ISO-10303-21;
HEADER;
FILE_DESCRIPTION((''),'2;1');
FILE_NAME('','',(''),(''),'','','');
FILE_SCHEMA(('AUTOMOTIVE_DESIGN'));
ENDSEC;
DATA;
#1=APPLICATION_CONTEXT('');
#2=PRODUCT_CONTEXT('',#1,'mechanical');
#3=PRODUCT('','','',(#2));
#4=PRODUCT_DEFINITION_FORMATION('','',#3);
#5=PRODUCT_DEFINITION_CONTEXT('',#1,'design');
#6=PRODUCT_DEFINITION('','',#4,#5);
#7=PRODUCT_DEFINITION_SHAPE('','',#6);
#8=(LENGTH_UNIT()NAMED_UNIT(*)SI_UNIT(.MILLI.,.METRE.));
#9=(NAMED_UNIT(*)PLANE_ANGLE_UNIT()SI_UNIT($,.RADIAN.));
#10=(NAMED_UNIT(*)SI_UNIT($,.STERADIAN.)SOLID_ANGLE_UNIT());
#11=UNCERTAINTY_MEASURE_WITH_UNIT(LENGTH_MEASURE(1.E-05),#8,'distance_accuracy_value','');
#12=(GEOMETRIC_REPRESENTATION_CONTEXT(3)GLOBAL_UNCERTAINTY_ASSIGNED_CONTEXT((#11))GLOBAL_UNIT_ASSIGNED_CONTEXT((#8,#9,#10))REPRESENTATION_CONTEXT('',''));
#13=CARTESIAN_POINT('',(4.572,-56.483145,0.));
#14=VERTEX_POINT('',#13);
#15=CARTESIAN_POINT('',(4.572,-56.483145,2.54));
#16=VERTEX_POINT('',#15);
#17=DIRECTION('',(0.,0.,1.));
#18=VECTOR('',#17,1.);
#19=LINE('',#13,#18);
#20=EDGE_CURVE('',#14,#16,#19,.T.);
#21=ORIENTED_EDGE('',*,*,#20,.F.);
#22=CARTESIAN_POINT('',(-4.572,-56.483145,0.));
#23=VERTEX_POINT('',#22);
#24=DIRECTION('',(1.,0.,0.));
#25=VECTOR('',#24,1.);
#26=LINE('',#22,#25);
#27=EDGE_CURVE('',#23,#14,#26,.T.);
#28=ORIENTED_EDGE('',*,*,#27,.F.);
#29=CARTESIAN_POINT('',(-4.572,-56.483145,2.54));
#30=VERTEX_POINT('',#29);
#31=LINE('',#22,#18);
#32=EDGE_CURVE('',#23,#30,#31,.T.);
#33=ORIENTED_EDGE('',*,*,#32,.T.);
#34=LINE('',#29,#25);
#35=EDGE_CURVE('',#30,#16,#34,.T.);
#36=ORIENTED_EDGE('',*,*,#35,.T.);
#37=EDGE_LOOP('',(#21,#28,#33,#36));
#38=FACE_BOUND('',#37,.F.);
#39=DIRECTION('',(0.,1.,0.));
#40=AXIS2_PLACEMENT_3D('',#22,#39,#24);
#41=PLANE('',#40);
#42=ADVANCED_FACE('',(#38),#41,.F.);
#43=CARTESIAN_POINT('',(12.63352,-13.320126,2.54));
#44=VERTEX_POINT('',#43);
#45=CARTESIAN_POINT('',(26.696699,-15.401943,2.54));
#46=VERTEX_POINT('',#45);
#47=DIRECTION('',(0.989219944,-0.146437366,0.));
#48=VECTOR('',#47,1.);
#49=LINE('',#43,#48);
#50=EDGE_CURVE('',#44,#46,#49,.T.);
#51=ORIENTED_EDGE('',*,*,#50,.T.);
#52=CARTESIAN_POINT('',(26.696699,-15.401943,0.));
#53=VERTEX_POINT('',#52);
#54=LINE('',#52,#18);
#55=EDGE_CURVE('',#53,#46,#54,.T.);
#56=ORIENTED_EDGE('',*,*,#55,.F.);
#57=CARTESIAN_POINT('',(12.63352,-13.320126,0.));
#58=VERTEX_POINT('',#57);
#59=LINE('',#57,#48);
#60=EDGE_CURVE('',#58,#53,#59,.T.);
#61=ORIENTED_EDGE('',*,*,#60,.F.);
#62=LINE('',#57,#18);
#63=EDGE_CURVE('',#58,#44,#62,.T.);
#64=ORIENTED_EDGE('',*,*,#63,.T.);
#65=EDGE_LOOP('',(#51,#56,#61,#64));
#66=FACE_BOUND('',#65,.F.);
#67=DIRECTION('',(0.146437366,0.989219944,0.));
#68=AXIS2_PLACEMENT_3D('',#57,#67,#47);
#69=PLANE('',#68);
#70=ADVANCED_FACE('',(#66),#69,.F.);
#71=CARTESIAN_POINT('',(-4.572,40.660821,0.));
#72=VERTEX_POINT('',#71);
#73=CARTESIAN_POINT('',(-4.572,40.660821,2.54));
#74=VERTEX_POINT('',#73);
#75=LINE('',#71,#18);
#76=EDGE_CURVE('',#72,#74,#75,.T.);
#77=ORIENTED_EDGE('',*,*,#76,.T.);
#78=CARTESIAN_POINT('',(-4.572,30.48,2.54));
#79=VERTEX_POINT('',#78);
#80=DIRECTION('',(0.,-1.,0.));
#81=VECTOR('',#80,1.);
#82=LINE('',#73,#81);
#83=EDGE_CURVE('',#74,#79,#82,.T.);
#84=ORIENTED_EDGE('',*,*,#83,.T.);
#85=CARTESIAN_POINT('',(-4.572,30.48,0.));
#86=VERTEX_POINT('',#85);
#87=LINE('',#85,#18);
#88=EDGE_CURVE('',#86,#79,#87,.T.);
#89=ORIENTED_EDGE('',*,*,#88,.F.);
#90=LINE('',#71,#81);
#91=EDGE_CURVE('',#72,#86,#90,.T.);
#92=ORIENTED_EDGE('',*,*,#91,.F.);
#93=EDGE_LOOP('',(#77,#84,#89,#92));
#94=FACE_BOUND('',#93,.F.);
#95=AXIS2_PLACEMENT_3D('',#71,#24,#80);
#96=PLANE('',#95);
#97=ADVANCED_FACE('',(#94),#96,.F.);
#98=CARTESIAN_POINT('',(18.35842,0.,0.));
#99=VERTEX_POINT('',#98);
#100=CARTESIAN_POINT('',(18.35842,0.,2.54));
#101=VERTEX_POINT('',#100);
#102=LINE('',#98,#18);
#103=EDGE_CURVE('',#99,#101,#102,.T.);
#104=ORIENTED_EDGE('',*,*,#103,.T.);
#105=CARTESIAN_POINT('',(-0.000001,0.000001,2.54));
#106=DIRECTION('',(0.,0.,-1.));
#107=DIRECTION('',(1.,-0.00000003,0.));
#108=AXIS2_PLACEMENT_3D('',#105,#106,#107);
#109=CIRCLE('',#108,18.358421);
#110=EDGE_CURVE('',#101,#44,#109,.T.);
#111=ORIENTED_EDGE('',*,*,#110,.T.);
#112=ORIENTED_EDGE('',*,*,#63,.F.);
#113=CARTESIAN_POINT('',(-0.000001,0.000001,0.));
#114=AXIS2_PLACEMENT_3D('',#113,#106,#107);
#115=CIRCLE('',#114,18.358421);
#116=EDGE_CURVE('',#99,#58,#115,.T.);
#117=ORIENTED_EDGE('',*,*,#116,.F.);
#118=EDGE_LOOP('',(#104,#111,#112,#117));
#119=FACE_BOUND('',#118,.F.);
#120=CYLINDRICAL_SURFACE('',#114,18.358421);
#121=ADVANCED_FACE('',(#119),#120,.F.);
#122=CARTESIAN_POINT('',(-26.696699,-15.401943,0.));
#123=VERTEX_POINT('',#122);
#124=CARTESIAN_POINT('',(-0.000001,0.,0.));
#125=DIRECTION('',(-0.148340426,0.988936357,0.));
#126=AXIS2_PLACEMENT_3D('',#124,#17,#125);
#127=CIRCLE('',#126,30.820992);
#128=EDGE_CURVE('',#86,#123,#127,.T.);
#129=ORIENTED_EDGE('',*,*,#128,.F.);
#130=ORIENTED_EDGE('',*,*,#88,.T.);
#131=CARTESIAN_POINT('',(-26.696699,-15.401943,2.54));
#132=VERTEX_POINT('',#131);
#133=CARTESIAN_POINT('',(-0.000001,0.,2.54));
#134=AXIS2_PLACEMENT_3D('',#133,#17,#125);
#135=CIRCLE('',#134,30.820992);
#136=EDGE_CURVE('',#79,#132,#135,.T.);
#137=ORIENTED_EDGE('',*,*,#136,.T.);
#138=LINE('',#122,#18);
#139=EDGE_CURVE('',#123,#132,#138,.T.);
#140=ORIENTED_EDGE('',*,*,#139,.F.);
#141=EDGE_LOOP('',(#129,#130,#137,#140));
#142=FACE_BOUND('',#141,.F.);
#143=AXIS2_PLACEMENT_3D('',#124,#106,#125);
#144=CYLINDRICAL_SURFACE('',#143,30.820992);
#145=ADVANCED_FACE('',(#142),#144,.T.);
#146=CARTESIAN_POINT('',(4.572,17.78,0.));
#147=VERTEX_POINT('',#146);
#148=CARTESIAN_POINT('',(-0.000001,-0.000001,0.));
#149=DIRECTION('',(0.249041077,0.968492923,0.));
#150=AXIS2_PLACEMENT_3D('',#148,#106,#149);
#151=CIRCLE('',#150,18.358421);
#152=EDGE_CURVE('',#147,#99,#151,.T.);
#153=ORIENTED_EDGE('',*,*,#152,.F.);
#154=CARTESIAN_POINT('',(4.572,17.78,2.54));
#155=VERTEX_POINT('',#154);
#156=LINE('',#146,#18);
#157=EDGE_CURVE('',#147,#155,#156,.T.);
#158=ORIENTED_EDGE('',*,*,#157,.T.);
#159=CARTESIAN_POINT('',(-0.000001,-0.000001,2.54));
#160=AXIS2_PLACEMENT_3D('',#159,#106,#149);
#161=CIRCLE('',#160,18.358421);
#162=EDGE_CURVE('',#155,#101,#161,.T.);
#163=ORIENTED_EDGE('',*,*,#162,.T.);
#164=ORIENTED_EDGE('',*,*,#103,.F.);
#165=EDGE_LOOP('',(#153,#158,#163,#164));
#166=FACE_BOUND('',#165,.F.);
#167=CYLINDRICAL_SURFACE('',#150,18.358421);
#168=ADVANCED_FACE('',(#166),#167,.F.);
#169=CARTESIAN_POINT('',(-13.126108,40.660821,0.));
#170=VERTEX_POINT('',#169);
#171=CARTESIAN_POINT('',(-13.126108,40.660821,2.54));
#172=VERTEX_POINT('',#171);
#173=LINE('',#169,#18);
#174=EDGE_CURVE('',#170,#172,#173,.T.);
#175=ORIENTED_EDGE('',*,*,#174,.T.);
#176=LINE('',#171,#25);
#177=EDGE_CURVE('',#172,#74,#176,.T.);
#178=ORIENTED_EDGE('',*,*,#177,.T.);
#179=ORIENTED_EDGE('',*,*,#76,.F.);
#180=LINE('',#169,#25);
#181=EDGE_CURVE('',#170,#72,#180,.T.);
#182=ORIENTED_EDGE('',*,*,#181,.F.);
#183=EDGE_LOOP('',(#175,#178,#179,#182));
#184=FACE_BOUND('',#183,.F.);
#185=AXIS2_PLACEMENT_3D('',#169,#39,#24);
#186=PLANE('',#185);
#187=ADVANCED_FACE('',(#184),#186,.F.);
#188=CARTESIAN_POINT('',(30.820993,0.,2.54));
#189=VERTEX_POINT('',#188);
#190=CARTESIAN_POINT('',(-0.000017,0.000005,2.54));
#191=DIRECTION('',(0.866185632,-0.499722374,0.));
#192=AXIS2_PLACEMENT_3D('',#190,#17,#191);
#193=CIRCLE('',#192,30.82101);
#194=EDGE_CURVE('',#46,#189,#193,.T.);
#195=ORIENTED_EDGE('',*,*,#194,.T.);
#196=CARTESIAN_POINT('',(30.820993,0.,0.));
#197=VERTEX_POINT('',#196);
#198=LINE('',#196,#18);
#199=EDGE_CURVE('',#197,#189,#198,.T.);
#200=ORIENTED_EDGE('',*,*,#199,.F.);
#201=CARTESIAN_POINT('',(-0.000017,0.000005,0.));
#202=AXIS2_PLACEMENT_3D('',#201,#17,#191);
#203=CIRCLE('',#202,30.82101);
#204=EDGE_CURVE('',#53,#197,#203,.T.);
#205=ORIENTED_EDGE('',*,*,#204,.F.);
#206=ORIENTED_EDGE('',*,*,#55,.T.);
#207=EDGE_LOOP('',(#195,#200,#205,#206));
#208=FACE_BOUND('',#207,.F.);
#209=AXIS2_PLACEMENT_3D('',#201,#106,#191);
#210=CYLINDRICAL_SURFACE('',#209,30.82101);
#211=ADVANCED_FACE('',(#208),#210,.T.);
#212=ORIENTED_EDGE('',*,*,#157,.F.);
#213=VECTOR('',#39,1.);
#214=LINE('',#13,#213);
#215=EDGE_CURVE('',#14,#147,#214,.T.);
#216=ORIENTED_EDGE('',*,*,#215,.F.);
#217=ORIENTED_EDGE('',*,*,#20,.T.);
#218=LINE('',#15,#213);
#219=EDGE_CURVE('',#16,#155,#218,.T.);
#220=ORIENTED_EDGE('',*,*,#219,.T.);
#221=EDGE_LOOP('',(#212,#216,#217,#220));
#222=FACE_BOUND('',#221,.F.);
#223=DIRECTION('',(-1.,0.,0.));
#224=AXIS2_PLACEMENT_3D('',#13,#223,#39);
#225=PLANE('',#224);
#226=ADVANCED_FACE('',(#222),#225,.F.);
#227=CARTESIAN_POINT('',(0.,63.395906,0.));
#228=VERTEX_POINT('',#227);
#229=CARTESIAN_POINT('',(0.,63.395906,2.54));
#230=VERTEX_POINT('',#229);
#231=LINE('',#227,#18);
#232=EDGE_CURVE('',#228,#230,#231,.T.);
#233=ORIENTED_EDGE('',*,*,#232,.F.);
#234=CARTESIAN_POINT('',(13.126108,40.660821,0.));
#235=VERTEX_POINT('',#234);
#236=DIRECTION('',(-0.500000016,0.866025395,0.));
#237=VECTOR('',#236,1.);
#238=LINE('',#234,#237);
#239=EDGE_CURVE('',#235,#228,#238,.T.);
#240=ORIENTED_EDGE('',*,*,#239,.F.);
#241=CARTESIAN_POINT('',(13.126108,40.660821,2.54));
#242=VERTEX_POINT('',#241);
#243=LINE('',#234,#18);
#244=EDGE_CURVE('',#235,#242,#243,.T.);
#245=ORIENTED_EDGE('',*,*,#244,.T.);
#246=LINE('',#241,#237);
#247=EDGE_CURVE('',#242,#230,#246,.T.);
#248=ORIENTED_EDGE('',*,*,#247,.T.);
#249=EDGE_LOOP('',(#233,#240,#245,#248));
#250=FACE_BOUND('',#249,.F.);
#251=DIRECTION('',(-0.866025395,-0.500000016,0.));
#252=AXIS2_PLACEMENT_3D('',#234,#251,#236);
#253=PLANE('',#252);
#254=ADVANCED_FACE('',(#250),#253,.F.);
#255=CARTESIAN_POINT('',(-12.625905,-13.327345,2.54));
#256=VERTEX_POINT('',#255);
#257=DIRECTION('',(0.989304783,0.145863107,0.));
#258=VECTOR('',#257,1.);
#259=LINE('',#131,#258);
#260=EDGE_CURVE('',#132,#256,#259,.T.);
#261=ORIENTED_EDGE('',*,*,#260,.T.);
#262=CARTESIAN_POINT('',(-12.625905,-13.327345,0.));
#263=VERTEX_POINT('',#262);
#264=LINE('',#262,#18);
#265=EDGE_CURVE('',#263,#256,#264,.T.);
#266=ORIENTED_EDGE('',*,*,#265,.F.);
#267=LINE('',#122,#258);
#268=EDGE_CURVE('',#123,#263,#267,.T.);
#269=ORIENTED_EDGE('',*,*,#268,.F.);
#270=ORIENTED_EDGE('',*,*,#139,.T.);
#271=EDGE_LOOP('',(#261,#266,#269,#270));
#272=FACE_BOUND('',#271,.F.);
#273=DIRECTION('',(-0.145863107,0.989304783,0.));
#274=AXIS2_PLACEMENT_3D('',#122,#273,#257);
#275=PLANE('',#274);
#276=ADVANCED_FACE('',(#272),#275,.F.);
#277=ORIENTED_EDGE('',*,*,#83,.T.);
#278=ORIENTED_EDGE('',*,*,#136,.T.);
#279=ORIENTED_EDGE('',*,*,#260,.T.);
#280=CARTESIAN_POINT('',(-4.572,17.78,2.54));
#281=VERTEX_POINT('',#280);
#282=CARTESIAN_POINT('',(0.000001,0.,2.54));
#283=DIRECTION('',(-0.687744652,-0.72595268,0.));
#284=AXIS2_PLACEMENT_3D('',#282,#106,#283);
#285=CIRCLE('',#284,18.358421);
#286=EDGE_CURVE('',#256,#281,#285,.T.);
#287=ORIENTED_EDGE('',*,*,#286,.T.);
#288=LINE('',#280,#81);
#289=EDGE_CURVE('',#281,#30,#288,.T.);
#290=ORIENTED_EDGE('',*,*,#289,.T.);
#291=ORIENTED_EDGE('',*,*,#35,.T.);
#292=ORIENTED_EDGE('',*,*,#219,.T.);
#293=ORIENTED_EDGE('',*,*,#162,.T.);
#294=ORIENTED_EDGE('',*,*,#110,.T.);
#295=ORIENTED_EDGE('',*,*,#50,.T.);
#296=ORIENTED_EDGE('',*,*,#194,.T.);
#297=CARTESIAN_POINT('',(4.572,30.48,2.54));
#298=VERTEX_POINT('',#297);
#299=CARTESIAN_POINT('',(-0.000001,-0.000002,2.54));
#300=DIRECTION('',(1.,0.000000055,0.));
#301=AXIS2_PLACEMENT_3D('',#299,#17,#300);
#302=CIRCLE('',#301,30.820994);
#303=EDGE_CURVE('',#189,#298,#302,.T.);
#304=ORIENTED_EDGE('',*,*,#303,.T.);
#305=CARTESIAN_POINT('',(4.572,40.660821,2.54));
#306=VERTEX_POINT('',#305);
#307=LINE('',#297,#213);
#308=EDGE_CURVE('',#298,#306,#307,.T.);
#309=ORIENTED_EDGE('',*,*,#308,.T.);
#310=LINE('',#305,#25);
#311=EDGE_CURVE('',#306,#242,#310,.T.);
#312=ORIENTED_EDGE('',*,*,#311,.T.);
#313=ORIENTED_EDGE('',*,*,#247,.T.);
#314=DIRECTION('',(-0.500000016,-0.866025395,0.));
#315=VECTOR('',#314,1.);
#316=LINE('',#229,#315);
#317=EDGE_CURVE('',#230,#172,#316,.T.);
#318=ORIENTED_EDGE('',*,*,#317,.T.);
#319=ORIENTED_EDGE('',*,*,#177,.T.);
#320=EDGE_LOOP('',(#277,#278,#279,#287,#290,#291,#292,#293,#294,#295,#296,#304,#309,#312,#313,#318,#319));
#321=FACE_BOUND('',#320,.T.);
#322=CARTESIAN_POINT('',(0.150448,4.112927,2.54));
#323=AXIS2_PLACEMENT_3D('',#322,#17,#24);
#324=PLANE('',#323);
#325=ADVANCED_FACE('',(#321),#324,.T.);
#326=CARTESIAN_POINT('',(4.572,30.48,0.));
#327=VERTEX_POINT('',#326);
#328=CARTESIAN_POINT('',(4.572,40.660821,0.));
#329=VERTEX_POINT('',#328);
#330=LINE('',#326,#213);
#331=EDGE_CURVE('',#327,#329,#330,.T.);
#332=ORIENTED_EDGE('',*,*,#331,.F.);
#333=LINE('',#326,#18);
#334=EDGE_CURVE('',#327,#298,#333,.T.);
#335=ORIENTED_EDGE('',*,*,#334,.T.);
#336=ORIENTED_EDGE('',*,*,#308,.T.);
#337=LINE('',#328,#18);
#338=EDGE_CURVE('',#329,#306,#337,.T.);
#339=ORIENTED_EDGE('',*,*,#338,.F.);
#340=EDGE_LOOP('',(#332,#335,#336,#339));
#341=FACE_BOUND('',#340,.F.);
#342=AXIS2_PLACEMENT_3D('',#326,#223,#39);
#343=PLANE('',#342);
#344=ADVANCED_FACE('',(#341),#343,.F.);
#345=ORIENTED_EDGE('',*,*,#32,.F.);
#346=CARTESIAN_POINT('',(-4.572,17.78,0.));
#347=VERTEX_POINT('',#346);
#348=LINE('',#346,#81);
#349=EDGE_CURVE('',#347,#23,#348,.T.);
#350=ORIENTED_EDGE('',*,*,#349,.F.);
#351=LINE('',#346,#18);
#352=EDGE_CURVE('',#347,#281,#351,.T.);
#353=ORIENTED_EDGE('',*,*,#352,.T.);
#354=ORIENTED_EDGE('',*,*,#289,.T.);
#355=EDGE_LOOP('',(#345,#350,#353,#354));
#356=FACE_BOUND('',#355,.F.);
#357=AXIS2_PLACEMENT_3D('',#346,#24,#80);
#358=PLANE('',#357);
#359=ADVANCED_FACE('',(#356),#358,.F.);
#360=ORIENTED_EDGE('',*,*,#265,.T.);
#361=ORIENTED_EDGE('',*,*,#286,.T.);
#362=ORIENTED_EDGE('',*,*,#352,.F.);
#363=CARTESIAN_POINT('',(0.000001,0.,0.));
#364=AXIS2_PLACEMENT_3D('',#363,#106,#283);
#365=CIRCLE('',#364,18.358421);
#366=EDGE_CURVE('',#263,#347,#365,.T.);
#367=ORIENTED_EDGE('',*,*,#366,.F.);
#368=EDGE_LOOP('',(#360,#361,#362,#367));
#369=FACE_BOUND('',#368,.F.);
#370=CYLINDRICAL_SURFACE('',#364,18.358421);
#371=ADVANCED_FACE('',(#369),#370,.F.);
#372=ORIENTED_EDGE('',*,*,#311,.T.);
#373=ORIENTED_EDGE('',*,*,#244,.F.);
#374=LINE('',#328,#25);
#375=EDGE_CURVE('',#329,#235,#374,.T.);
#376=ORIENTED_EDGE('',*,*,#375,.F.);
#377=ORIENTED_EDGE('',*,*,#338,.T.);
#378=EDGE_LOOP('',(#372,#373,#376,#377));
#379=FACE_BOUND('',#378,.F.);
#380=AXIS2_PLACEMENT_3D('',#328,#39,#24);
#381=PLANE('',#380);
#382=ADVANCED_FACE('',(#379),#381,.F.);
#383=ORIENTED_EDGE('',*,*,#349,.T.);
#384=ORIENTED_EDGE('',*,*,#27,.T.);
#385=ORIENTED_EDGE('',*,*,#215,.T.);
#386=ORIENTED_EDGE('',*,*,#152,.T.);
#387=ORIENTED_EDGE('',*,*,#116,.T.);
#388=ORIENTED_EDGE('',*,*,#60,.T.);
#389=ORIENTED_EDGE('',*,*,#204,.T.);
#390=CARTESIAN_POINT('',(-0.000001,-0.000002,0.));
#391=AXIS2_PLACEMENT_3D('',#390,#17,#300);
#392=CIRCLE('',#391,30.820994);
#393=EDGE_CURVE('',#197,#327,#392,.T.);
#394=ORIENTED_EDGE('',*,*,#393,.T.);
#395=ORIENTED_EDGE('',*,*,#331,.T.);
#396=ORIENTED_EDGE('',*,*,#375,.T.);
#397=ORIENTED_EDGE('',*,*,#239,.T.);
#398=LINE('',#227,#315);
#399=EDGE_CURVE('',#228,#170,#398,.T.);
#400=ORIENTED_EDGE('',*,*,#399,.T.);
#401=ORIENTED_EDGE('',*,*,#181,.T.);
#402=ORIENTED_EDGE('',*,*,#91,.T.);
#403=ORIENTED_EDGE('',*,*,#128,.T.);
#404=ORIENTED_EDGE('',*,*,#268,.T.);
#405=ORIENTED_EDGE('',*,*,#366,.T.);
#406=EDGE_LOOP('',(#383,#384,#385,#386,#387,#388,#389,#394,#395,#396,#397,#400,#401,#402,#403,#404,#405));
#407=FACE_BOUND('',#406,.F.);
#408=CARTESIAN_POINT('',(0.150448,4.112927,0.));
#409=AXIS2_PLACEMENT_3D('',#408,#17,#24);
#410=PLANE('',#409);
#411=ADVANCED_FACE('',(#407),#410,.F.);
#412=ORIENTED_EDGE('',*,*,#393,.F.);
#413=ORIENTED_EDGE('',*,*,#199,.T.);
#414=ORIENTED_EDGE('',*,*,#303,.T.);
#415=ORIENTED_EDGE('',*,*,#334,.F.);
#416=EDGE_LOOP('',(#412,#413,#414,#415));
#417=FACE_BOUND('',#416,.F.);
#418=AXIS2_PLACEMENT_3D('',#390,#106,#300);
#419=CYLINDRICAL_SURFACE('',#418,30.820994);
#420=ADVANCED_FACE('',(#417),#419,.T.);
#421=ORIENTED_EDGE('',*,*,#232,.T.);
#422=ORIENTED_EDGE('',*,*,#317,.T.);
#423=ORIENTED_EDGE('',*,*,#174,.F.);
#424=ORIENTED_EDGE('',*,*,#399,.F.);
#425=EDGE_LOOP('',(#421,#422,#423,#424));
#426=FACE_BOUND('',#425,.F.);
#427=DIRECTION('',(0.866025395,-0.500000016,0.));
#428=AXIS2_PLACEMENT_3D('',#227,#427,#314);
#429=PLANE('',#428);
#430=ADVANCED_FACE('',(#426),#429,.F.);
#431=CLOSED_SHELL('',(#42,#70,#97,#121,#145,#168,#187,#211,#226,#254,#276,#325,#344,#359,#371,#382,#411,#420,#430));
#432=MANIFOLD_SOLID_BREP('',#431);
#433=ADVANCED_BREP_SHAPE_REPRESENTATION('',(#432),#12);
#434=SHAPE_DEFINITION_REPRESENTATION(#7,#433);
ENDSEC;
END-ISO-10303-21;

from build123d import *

# Parameters (mm, degrees)
F1_DEPTH = 2.54


with BuildPart() as f1:
    # F0 (on Top) → F1 (new body)
    with BuildSketch(Plane.XY):
        with BuildLine():
            Line((-4.572, 17.78), (-4.572, -56.483145))
            Line((-4.572, -56.483145), (4.572, -56.483145))
            Line((4.572, -56.483145), (4.572, 17.78))
            ThreePointArc((4.572, 17.78), (14.508037, 11.249375), (18.35842, 0))
            ThreePointArc((18.35842, 0), (16.86658, -7.249142), (12.63352, -13.320126))
            Line((12.63352, -13.320126), (26.696699, -15.401943))
            ThreePointArc((26.696699, -15.401943), (29.77207, -7.97229), (30.820993, 0))
            ThreePointArc((30.820993, 0), (23.354305, 20.112434), (4.572, 30.48))
            Line((4.572, 30.48), (4.572, 40.660821))
            Line((4.572, 40.660821), (13.126108, 40.660821))
            Line((13.126108, 40.660821), (0, 63.395906))
            Line((0, 63.395906), (-13.126108, 40.660821))
            Line((-13.126108, 40.660821), (-4.572, 40.660821))
            Line((-4.572, 40.660821), (-4.572, 30.48))
            ThreePointArc((-4.572, 30.48), (-27.761864, 13.387028), (-26.696699, -15.401943))
            Line((-26.696699, -15.401943), (-12.625905, -13.327345))
            ThreePointArc((-12.625905, -13.327345), (-17.772414, 4.6014), (-4.572, 17.78))
        make_face()
    extrude(amount=F1_DEPTH)


solid = f1.part
